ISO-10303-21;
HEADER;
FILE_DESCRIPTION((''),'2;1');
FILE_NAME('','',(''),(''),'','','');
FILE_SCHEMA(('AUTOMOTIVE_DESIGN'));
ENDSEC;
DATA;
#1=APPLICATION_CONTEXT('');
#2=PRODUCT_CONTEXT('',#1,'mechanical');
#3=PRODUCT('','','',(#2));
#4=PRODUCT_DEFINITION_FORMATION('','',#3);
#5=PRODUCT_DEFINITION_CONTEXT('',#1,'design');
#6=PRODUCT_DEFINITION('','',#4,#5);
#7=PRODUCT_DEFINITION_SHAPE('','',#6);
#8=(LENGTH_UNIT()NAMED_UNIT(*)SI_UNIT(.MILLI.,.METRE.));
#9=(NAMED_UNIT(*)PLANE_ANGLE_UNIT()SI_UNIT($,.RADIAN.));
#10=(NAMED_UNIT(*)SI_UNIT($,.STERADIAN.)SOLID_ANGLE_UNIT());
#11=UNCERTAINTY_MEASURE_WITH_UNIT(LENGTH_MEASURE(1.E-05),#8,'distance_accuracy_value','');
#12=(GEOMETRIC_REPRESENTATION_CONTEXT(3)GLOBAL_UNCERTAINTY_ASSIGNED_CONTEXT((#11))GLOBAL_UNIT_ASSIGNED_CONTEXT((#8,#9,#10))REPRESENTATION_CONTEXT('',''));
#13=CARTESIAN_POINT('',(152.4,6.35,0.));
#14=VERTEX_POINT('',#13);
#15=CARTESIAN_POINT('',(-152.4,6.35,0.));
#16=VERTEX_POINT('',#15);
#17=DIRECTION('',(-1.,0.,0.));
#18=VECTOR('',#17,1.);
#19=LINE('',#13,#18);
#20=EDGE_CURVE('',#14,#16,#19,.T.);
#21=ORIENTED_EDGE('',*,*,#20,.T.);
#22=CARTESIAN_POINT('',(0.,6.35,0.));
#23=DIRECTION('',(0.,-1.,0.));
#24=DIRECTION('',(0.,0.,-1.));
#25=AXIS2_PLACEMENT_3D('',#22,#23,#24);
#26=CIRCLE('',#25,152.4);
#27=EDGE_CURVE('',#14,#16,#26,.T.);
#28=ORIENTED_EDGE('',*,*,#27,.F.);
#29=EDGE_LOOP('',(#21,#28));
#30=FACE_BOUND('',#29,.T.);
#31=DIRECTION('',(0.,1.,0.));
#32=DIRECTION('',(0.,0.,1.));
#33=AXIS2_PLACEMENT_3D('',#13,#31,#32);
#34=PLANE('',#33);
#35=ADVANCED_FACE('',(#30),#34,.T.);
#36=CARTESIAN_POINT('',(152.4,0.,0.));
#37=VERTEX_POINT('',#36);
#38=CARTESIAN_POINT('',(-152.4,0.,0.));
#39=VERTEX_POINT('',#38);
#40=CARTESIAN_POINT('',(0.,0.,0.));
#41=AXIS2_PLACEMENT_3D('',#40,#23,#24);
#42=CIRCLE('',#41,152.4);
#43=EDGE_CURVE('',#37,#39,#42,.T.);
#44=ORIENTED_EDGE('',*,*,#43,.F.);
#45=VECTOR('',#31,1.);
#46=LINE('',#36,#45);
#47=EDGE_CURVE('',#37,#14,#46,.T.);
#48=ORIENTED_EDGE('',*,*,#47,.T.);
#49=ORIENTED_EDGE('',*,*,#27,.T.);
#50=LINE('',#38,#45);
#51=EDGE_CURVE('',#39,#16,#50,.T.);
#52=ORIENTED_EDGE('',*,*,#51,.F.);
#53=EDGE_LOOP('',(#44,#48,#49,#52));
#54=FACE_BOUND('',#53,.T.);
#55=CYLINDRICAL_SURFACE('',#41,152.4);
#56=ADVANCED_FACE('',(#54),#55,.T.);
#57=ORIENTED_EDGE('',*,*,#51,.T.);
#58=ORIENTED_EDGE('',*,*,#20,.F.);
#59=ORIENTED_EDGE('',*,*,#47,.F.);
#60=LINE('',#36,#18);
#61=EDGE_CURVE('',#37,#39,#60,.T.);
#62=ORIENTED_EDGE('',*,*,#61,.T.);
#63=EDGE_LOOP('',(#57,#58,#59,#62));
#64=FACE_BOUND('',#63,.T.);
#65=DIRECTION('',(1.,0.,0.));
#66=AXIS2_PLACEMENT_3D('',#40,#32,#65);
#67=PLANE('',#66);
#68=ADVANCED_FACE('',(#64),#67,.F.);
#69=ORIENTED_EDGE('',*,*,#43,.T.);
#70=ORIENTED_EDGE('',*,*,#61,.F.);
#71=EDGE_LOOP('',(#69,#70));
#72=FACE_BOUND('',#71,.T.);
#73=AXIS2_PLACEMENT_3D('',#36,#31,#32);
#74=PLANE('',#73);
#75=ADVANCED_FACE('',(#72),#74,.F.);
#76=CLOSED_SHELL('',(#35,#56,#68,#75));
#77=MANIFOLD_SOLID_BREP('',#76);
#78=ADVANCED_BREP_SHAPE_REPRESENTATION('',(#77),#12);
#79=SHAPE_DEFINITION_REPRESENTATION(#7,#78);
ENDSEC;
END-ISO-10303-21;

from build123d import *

# Parameters (mm, degrees)
SKETCH2_W      = 152.4
SKETCH2_H      = 6.35
REVOLVE1_ANGLE = 180


with BuildPart() as part:
    # Sketch2 → Revolve1 (revolve)
    with BuildSketch(Plane.XY):
        with Locations((-76.2, 3.175)):
            Rectangle(SKETCH2_W, SKETCH2_H)
    revolve(axis=Axis((0, 0, 0), (0, 1, 0)), revolution_arc=REVOLVE1_ANGLE)


solid = part.part
